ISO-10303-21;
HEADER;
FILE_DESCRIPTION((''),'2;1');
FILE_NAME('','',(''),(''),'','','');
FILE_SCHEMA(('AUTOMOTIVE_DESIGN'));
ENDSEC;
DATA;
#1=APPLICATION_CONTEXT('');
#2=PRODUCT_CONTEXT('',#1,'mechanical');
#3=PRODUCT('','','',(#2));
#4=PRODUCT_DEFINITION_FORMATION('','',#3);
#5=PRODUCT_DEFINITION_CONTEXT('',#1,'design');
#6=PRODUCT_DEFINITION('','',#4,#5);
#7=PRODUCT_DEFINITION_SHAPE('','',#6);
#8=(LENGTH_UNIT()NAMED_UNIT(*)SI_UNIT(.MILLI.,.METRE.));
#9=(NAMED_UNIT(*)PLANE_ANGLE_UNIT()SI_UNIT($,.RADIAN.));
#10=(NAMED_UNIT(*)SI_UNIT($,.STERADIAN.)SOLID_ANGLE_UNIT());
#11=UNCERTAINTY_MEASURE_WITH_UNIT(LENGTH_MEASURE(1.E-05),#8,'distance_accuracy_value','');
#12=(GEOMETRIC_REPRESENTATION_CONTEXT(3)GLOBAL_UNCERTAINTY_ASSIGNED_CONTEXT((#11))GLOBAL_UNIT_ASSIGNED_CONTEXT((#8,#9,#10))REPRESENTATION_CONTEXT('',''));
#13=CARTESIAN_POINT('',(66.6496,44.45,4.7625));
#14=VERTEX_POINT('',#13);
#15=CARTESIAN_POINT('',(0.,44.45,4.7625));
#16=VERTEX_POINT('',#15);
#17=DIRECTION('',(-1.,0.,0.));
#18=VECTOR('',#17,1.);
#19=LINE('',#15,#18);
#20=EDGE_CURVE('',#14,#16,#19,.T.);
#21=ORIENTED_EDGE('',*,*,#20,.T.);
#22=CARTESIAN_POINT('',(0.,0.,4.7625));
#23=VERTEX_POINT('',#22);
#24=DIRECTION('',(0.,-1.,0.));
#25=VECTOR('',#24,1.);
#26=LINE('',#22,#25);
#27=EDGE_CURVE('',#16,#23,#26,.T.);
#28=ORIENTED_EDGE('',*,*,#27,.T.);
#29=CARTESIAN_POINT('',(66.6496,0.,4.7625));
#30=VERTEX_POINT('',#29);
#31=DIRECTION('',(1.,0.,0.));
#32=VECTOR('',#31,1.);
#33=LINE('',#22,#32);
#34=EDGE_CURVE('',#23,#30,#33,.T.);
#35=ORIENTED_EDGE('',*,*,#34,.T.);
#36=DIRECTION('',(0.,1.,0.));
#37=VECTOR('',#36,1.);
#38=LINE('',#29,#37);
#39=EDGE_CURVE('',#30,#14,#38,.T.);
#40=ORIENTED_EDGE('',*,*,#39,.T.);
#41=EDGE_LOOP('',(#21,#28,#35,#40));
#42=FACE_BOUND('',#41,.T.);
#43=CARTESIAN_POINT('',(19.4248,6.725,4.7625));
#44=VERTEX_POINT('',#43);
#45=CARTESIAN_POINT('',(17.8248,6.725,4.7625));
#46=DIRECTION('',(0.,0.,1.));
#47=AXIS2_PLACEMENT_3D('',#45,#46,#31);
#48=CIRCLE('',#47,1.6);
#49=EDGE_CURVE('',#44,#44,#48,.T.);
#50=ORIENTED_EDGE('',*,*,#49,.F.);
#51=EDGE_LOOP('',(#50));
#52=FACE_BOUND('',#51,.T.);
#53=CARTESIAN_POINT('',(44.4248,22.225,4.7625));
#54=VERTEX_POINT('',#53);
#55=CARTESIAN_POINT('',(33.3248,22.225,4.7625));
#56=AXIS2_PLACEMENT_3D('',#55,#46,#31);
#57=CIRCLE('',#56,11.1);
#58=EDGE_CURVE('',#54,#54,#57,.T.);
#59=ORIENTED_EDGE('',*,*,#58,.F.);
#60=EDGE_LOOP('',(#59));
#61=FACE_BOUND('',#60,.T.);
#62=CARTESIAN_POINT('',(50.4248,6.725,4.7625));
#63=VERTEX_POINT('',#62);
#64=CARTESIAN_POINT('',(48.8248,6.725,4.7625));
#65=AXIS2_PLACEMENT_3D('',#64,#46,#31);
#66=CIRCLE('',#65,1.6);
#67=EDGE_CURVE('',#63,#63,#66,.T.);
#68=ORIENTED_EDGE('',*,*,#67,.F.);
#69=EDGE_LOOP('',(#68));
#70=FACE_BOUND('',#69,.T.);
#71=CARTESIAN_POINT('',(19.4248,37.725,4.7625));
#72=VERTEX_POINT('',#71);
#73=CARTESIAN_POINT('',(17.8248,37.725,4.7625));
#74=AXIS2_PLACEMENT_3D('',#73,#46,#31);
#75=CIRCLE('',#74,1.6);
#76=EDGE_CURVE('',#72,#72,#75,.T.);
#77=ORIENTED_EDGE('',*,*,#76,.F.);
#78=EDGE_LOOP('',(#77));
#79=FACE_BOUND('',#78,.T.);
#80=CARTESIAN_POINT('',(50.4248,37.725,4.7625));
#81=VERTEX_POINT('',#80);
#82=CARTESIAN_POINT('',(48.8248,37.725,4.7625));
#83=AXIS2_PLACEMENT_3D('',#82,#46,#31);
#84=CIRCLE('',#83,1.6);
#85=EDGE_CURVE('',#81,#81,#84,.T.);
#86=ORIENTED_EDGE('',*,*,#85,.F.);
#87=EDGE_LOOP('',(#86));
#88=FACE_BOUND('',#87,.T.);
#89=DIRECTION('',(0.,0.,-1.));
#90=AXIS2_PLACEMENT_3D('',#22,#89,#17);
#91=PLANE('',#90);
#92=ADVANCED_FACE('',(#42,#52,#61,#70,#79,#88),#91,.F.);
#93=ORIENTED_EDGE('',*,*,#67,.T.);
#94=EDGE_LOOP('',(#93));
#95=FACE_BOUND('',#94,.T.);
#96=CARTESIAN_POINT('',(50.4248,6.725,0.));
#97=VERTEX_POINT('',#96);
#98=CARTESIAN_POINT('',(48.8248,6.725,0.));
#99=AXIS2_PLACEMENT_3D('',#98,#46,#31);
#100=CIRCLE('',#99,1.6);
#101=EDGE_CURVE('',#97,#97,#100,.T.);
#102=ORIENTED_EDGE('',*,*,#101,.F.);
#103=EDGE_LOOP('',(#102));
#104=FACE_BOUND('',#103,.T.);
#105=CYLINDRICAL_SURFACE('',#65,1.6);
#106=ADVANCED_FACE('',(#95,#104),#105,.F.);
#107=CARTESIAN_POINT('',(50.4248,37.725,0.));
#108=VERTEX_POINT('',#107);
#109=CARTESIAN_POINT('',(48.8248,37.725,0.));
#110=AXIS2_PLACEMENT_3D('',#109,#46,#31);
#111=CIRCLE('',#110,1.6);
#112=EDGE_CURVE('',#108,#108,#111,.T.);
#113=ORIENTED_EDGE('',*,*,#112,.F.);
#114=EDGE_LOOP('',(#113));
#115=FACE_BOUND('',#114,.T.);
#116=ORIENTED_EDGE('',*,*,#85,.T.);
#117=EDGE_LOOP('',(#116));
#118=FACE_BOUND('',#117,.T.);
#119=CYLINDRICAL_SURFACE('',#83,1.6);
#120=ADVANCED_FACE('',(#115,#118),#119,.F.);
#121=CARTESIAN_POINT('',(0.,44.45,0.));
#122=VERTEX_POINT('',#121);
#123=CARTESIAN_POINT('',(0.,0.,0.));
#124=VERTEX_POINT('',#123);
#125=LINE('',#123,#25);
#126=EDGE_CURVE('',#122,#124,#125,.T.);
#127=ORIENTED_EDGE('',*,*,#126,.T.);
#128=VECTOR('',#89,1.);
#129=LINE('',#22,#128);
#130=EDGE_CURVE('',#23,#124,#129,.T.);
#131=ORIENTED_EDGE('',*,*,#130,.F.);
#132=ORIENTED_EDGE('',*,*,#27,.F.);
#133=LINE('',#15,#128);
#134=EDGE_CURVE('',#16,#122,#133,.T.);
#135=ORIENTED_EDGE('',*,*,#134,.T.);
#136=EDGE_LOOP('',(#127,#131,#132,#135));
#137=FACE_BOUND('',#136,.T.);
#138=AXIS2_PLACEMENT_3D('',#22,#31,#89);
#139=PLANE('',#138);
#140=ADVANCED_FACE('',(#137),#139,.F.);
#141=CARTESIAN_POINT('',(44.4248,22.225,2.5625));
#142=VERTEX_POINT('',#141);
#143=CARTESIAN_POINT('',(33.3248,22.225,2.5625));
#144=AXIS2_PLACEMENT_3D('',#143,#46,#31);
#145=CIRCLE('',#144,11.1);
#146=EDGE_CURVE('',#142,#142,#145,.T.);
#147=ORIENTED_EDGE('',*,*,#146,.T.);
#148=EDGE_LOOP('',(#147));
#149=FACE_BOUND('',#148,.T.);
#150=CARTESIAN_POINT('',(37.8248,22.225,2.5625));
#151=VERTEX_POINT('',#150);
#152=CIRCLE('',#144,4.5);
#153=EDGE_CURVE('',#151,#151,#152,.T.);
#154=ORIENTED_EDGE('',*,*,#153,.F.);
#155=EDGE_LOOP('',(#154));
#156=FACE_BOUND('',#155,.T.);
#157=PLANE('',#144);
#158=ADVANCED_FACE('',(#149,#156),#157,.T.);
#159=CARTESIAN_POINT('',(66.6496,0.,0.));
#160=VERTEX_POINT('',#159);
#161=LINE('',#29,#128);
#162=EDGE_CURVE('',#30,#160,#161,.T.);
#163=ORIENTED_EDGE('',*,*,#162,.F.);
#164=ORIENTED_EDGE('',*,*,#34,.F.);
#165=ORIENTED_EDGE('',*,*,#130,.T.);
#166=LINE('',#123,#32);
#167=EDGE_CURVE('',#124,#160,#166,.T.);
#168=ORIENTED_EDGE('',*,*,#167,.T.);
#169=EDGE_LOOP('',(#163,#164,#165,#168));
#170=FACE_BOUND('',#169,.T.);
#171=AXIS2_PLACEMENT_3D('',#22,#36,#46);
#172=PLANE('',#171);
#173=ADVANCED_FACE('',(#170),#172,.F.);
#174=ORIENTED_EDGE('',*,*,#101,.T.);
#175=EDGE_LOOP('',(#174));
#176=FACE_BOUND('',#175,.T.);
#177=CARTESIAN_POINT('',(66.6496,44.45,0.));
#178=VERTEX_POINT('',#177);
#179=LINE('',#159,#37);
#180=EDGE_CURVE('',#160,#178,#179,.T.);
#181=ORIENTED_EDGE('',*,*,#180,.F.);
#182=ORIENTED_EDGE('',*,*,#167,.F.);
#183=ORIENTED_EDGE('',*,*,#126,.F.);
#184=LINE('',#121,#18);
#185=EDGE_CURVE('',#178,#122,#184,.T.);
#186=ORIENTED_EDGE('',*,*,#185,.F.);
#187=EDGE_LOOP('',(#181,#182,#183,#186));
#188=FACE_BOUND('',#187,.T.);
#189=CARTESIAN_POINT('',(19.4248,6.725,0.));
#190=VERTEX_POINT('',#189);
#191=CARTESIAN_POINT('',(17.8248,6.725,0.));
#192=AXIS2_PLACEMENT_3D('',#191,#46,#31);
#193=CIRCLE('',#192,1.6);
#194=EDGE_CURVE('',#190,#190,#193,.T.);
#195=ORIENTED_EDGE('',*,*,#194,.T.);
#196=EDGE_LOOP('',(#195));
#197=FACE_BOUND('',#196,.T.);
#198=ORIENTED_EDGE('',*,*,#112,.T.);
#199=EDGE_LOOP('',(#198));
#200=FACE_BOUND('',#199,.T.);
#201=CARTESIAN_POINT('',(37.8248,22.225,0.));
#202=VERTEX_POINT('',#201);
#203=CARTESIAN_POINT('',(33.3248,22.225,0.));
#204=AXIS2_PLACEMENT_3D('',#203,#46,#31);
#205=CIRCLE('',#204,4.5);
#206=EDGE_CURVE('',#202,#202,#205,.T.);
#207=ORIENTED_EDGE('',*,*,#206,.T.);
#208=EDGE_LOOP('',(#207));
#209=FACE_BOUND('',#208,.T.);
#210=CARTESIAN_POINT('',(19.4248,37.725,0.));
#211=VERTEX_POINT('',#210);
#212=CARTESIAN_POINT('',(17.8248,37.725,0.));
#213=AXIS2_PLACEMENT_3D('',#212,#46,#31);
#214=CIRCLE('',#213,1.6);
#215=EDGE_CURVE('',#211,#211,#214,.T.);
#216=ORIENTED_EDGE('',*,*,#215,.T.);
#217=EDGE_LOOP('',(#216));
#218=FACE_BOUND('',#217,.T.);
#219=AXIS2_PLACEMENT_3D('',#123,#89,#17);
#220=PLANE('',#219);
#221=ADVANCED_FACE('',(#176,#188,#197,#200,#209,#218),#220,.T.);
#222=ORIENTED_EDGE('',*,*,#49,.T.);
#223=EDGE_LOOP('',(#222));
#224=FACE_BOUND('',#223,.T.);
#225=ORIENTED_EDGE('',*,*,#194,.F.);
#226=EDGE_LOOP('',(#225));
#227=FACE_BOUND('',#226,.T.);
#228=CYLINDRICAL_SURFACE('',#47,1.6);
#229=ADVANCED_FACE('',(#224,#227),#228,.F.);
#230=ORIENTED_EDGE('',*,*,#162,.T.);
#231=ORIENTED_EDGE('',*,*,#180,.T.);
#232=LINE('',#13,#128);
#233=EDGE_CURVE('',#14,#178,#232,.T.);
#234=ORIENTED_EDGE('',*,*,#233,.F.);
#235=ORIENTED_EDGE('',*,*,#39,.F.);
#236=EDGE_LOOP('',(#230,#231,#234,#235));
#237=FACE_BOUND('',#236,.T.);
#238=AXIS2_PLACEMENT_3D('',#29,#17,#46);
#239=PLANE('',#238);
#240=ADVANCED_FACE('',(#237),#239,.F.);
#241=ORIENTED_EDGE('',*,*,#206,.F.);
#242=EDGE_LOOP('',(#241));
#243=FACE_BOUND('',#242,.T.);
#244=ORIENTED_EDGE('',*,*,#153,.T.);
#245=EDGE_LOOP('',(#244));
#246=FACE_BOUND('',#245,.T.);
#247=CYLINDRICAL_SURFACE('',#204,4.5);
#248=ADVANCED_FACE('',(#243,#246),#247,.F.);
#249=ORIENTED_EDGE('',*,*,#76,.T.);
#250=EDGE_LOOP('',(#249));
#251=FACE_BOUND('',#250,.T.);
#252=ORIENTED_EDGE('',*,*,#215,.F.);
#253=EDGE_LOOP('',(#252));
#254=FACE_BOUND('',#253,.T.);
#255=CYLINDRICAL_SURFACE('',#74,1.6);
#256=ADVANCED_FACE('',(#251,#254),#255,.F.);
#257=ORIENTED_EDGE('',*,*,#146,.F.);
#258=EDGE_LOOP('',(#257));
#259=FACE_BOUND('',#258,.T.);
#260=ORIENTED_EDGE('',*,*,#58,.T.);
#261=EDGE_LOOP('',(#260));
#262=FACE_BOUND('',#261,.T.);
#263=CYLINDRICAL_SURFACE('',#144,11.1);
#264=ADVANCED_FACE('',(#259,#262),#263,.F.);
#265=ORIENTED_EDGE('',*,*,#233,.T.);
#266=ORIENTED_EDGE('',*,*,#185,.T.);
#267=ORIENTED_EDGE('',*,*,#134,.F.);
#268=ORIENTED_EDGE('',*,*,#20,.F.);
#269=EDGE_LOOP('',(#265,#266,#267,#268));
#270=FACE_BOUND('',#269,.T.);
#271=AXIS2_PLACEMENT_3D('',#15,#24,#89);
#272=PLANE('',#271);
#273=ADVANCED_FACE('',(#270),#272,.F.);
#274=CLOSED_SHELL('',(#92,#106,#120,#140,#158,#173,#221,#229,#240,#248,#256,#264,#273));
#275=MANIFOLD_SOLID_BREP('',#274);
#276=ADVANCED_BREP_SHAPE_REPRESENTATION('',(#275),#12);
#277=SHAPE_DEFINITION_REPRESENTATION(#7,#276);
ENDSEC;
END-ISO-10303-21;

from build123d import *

# Parameters (mm, degrees)
SKETCH1_W            = 66.6496
SKETCH1_H            = 44.45
BOSS_EXTRUDE1_DEPTH  = 4.7625
M3_CLEARANCE_HOLE1_D = 3.2
SKETCH6_R            = 11.1
CUT_EXTRUDE1_DEPTH   = 2.2
SKETCH7_R            = 4.5
CUT_EXTRUDE2_DEPTH   = 81.15321632


with BuildPart() as part:
    # Sketch1 → Boss-Extrude1 (new body)
    with BuildSketch(Plane.XY):
        with Locations((33.3248, 22.225)):
            Rectangle(SKETCH1_W, SKETCH1_H)
    extrude(amount=BOSS_EXTRUDE1_DEPTH)

    # M3 Clearance Hole1 (through all)
    with Locations(Plane.XY.offset(4.7625)):
        with Locations((48.8248, 6.725), (48.8248, 37.725), (17.8248, 6.725), (17.8248, 37.725)):
            Hole(M3_CLEARANCE_HOLE1_D / 2)

    # Sketch6 → Cut-Extrude1 (cut)
    with BuildSketch(Plane.XY.offset(4.7625)):
        with Locations((33.3248, 22.225)):
            Circle(SKETCH6_R)
    extrude(amount=-CUT_EXTRUDE1_DEPTH, mode=Mode.SUBTRACT)

    # Sketch7 → Cut-Extrude2 (cut, through all)
    with BuildSketch(Plane.XY.offset(2.5625)):
        with Locations((33.3248, 22.225)):
            Circle(SKETCH7_R)
    extrude(amount=-CUT_EXTRUDE2_DEPTH, mode=Mode.SUBTRACT)


solid = part.part
